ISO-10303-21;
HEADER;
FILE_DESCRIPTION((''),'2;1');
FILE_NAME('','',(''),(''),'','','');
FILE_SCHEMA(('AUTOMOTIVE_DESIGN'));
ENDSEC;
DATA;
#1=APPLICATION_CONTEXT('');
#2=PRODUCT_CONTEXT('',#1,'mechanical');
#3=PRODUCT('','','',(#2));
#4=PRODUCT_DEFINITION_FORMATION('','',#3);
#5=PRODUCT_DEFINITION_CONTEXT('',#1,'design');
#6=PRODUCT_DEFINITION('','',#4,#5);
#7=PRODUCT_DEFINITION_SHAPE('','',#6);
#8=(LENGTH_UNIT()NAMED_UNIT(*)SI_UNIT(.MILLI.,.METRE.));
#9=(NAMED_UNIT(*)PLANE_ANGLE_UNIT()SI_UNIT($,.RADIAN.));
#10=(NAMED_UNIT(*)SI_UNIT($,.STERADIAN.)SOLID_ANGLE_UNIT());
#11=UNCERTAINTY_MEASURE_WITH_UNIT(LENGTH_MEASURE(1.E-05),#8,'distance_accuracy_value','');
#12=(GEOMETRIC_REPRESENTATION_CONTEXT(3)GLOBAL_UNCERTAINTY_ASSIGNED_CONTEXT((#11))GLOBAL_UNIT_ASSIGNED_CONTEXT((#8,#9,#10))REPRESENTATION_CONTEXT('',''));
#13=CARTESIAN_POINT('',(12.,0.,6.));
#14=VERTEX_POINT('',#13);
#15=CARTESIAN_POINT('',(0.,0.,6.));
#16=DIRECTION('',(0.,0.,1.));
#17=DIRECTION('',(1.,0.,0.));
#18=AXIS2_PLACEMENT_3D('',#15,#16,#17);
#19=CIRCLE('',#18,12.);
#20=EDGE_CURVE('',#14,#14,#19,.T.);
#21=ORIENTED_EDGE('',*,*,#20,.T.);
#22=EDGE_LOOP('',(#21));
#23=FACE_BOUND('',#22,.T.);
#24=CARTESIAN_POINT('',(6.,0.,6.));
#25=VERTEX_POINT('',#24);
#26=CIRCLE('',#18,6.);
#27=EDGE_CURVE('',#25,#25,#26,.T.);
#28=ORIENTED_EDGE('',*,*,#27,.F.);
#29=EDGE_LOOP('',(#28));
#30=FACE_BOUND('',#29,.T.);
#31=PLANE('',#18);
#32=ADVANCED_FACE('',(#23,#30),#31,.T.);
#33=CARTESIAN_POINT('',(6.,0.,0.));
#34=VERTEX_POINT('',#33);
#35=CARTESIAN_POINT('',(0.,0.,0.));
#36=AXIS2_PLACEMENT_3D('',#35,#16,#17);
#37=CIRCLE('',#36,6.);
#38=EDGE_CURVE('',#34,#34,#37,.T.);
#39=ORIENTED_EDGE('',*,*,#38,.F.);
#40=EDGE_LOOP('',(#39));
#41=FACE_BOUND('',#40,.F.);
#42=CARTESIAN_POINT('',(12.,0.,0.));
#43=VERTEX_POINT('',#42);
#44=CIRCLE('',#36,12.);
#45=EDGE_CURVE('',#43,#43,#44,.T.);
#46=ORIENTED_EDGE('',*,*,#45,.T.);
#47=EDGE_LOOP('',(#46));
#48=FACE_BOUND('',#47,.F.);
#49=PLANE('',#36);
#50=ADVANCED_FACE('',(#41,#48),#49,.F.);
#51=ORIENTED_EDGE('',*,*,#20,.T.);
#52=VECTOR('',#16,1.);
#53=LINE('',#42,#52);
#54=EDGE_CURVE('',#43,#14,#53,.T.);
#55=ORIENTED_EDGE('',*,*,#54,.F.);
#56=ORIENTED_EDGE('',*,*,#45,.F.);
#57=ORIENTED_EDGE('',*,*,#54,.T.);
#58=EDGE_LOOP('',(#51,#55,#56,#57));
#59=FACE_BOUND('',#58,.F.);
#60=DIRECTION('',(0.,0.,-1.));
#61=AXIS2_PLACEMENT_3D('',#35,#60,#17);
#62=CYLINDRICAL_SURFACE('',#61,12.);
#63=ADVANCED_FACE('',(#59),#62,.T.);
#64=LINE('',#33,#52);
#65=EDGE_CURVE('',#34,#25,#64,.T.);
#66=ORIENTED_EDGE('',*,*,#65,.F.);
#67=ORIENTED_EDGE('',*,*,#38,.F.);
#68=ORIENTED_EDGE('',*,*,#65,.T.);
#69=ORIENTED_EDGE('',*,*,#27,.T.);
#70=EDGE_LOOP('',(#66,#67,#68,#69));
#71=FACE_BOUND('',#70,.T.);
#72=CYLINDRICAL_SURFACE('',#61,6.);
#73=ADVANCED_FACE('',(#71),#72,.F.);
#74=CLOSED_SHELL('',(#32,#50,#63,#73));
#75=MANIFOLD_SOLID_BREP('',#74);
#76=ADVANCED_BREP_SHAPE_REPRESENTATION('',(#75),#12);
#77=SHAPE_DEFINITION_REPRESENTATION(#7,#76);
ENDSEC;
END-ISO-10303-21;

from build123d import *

# Parameters (mm, degrees)
SKETCH_R   = 12
SKETCH_R_2 = 6
PAD_DEPTH  = 6


with BuildPart() as part:
    # Sketch → Pad (new body)
    with BuildSketch(Plane.XY):
        Circle(SKETCH_R)
        Circle(SKETCH_R_2, mode=Mode.SUBTRACT)
    extrude(amount=PAD_DEPTH)


solid = part.part
